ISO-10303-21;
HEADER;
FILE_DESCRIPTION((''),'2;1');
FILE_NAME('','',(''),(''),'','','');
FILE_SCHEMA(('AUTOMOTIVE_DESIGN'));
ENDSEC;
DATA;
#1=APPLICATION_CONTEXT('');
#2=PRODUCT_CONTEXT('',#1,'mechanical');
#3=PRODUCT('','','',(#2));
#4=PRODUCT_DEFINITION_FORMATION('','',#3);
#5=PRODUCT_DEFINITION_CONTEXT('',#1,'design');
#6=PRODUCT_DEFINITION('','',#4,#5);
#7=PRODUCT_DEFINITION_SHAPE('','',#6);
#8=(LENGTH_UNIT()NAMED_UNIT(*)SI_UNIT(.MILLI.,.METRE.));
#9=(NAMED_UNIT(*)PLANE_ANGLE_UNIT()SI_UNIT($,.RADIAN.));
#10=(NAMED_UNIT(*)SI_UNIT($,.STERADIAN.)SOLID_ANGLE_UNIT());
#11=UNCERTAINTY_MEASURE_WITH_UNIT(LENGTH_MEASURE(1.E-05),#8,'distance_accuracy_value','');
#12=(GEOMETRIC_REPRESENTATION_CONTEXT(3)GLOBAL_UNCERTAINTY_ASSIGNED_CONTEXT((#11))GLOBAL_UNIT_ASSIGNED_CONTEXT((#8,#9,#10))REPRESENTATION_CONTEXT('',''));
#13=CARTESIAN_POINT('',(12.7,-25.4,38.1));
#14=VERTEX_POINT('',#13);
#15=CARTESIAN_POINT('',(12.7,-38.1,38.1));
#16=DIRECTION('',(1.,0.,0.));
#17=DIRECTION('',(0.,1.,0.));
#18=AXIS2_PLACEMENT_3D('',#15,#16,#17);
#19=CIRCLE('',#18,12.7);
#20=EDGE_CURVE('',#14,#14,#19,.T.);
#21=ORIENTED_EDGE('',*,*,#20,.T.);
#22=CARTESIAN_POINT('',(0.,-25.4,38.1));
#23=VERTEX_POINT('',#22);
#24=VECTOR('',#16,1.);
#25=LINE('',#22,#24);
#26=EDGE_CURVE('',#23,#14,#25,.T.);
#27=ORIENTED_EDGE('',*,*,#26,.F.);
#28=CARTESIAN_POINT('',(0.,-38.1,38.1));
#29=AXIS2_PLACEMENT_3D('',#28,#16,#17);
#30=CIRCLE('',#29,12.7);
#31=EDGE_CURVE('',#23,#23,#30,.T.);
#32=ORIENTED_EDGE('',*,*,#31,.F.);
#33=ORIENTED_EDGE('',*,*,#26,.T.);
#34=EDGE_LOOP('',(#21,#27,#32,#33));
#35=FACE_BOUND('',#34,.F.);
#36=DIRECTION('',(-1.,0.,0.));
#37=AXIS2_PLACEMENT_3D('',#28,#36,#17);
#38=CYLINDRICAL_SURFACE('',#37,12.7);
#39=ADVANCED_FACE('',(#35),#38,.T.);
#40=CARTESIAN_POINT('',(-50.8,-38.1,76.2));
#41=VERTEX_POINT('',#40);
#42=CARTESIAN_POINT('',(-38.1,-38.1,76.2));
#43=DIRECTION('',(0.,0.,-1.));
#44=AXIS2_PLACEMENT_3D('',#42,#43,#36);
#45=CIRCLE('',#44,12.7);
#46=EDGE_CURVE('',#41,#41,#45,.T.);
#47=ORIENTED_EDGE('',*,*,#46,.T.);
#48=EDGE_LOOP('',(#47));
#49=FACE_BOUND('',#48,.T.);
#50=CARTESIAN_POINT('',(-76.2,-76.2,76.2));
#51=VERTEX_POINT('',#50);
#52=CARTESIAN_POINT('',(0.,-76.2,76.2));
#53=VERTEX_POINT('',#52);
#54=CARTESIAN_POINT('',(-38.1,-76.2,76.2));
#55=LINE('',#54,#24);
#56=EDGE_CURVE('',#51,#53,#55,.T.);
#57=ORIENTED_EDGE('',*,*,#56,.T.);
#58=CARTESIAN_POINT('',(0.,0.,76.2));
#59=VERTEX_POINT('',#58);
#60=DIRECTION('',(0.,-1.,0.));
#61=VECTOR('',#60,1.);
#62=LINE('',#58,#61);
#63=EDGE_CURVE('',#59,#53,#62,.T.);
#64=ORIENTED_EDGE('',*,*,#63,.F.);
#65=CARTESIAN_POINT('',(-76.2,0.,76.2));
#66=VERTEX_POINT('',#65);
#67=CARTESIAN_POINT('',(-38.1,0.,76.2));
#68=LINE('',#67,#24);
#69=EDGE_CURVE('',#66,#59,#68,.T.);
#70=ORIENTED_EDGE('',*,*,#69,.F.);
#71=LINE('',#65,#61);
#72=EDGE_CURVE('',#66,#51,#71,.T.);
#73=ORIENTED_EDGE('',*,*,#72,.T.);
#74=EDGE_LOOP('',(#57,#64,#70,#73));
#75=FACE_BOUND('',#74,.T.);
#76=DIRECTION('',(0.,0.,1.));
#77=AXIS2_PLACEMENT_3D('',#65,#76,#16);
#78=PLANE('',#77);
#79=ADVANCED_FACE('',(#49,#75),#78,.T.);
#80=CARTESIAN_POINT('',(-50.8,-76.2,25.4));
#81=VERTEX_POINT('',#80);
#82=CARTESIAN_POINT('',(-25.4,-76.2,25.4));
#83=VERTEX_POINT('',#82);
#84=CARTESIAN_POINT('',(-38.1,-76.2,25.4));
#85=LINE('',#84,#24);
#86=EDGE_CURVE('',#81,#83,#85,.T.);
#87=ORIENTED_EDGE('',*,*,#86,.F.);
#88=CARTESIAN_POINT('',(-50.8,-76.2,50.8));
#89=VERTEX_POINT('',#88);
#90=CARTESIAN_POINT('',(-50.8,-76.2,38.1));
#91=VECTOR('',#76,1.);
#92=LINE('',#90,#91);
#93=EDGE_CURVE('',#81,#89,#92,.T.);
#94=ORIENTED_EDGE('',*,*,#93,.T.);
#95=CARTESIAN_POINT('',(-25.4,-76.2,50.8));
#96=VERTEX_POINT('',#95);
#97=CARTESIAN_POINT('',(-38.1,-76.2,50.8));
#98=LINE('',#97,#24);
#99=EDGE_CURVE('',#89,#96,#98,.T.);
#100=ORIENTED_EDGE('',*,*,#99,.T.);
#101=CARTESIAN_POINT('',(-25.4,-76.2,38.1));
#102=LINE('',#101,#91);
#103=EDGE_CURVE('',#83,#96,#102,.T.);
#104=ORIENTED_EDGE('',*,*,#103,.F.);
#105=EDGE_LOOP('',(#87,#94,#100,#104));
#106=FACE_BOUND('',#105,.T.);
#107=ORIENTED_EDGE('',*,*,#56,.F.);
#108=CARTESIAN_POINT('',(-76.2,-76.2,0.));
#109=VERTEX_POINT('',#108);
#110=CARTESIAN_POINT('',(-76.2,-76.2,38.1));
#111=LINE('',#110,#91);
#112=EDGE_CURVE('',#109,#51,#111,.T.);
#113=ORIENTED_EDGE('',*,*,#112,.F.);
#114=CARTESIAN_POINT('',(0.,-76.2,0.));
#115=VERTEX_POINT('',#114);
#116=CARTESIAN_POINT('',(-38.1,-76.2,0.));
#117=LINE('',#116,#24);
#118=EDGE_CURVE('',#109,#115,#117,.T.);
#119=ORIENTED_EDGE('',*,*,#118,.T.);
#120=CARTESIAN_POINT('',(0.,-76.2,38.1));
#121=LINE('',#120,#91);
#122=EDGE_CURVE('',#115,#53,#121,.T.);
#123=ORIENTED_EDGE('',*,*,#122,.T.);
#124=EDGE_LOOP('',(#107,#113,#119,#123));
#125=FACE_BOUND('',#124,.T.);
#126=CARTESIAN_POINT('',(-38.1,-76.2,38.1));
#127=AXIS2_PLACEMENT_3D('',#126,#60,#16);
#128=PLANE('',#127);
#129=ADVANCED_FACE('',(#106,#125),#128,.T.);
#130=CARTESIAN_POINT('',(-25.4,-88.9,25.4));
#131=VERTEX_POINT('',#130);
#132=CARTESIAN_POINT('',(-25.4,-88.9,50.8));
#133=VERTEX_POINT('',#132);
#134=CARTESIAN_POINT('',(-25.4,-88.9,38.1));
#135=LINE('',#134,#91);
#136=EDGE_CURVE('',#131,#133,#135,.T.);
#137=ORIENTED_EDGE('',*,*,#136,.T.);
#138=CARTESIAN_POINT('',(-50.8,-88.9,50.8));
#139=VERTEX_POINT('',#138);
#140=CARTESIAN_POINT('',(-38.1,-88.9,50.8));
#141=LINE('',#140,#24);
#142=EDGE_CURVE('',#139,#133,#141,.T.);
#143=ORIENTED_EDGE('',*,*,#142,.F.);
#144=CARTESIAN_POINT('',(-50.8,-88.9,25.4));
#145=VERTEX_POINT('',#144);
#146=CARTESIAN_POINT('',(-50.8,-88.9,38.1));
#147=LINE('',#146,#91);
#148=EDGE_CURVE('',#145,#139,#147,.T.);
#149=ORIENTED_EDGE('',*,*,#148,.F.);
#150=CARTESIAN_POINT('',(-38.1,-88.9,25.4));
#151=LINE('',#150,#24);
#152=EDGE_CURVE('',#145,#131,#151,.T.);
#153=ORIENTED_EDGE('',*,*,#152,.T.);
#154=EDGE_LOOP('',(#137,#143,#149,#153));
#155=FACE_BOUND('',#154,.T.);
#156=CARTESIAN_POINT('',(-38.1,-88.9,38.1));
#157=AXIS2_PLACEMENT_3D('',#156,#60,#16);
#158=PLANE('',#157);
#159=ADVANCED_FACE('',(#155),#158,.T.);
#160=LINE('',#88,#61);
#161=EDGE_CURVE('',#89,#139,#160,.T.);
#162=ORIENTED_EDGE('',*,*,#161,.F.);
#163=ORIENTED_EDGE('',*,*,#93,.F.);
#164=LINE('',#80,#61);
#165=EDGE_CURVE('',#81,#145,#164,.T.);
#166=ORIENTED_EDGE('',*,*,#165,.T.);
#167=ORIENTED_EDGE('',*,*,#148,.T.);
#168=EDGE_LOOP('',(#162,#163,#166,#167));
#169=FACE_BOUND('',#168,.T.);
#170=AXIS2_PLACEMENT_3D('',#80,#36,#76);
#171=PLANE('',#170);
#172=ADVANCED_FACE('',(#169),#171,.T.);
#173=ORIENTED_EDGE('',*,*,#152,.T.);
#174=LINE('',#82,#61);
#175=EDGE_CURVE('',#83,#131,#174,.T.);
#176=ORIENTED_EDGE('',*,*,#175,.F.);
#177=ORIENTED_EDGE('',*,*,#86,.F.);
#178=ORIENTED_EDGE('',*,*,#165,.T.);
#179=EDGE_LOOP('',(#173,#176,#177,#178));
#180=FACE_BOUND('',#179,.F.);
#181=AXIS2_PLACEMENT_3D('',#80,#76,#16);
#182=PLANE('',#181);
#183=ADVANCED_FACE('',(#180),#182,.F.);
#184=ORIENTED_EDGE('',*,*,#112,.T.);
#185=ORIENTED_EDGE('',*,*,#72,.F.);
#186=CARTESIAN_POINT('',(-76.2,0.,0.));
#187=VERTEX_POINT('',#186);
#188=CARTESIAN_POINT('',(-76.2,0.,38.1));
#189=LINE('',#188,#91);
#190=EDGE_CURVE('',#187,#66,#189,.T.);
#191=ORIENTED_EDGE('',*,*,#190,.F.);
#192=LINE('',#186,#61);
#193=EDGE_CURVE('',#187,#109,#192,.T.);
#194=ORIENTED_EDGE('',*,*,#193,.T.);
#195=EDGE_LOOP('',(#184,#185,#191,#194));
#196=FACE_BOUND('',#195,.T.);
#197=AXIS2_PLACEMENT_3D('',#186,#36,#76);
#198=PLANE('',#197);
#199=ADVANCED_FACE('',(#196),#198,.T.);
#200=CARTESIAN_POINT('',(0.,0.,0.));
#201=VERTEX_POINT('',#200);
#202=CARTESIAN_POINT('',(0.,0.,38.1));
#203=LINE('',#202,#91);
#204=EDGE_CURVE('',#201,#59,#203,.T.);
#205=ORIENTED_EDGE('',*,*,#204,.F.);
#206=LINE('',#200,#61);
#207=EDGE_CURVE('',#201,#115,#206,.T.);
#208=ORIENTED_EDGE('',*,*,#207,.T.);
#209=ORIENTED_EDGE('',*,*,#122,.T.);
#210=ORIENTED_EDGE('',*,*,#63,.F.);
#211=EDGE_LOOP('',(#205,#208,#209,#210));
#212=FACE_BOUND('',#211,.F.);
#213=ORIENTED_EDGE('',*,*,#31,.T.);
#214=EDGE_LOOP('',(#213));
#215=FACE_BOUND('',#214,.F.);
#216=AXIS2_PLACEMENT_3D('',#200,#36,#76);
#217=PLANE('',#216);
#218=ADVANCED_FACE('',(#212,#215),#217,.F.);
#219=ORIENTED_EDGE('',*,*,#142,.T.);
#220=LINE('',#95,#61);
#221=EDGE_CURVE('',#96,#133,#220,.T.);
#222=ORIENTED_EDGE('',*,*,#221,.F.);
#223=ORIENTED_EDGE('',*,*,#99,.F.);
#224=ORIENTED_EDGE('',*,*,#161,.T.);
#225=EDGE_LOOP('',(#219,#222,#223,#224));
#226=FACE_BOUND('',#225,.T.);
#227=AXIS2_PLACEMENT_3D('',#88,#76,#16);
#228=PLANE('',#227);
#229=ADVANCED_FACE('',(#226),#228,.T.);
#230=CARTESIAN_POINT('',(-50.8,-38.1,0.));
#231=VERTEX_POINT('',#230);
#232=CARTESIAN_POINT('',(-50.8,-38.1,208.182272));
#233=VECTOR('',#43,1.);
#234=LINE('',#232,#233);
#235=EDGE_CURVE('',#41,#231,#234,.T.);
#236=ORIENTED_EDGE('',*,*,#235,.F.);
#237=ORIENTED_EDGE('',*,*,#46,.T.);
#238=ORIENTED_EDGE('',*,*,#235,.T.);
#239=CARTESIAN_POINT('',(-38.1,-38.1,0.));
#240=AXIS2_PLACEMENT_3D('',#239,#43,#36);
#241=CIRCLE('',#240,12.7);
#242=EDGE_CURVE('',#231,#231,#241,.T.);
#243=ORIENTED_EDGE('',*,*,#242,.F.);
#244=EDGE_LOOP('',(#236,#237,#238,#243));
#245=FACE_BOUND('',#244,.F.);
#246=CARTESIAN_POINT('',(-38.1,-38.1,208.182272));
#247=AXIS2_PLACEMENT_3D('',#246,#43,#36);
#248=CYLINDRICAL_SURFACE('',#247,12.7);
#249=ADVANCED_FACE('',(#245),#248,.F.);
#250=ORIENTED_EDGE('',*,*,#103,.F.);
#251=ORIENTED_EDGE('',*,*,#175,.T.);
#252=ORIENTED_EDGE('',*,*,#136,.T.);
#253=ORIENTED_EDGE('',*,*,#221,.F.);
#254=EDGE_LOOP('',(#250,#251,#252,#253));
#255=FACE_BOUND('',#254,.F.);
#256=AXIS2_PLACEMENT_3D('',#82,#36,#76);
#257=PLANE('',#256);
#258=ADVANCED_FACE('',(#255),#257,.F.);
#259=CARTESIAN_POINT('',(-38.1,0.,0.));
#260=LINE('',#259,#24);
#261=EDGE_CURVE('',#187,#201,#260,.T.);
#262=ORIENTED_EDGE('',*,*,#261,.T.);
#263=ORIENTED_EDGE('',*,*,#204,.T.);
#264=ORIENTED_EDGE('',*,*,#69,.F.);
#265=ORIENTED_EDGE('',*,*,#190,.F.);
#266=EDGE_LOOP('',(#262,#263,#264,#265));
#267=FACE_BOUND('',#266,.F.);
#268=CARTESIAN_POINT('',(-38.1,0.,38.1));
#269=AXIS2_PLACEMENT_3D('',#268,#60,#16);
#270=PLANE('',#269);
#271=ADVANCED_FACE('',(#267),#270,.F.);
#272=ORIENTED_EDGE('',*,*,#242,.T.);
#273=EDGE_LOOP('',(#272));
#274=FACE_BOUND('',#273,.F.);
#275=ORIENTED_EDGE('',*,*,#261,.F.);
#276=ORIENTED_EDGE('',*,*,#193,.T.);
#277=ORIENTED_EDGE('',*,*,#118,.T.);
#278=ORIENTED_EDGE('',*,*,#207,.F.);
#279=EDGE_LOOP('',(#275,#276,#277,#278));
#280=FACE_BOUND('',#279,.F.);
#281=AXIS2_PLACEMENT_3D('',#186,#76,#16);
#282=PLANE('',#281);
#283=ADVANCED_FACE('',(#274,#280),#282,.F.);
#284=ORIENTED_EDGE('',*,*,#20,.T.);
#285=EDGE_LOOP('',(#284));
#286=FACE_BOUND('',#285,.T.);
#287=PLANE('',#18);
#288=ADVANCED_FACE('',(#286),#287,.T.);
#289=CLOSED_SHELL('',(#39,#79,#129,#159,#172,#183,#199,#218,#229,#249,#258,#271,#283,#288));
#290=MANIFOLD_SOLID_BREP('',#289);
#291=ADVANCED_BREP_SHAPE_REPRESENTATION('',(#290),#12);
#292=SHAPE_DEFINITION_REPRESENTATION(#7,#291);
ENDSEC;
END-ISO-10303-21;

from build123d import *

# Parameters (mm, degrees)
F0_W     = 76.2
F0_H     = 76.2
F1_DEPTH = 76.2
F3_D     = 25.4
F4_W     = 25.4
F4_H     = 25.4
F5_DEPTH = 12.7
F6_R     = 12.7
F7_DEPTH = 12.7


with BuildPart() as f1:
    # F0 (on Front) → F1 (new body)
    with BuildSketch(Plane.XZ):
        with Locations((-38.1, 38.1)):
            Rectangle(F0_W, F0_H)
    extrude(amount=F1_DEPTH)

    # F3 (through all)
    with Locations(Plane.XY.offset(76.2)):
        with Locations((-38.1, -38.1)):
            Hole(F3_D / 2)

    # F4 (on face) → F5 (join)
    with BuildSketch(Plane.XZ.offset(76.2)):
        with Locations((-38.1, 38.1)):
            Rectangle(F4_W, F4_H)
    extrude(amount=F5_DEPTH)

    # F6 (on face) → F7 (join)
    with BuildSketch(Plane.YZ):
        with Locations((-38.1, 38.1)):
            Circle(F6_R)
    extrude(amount=F7_DEPTH)


solid = f1.part
